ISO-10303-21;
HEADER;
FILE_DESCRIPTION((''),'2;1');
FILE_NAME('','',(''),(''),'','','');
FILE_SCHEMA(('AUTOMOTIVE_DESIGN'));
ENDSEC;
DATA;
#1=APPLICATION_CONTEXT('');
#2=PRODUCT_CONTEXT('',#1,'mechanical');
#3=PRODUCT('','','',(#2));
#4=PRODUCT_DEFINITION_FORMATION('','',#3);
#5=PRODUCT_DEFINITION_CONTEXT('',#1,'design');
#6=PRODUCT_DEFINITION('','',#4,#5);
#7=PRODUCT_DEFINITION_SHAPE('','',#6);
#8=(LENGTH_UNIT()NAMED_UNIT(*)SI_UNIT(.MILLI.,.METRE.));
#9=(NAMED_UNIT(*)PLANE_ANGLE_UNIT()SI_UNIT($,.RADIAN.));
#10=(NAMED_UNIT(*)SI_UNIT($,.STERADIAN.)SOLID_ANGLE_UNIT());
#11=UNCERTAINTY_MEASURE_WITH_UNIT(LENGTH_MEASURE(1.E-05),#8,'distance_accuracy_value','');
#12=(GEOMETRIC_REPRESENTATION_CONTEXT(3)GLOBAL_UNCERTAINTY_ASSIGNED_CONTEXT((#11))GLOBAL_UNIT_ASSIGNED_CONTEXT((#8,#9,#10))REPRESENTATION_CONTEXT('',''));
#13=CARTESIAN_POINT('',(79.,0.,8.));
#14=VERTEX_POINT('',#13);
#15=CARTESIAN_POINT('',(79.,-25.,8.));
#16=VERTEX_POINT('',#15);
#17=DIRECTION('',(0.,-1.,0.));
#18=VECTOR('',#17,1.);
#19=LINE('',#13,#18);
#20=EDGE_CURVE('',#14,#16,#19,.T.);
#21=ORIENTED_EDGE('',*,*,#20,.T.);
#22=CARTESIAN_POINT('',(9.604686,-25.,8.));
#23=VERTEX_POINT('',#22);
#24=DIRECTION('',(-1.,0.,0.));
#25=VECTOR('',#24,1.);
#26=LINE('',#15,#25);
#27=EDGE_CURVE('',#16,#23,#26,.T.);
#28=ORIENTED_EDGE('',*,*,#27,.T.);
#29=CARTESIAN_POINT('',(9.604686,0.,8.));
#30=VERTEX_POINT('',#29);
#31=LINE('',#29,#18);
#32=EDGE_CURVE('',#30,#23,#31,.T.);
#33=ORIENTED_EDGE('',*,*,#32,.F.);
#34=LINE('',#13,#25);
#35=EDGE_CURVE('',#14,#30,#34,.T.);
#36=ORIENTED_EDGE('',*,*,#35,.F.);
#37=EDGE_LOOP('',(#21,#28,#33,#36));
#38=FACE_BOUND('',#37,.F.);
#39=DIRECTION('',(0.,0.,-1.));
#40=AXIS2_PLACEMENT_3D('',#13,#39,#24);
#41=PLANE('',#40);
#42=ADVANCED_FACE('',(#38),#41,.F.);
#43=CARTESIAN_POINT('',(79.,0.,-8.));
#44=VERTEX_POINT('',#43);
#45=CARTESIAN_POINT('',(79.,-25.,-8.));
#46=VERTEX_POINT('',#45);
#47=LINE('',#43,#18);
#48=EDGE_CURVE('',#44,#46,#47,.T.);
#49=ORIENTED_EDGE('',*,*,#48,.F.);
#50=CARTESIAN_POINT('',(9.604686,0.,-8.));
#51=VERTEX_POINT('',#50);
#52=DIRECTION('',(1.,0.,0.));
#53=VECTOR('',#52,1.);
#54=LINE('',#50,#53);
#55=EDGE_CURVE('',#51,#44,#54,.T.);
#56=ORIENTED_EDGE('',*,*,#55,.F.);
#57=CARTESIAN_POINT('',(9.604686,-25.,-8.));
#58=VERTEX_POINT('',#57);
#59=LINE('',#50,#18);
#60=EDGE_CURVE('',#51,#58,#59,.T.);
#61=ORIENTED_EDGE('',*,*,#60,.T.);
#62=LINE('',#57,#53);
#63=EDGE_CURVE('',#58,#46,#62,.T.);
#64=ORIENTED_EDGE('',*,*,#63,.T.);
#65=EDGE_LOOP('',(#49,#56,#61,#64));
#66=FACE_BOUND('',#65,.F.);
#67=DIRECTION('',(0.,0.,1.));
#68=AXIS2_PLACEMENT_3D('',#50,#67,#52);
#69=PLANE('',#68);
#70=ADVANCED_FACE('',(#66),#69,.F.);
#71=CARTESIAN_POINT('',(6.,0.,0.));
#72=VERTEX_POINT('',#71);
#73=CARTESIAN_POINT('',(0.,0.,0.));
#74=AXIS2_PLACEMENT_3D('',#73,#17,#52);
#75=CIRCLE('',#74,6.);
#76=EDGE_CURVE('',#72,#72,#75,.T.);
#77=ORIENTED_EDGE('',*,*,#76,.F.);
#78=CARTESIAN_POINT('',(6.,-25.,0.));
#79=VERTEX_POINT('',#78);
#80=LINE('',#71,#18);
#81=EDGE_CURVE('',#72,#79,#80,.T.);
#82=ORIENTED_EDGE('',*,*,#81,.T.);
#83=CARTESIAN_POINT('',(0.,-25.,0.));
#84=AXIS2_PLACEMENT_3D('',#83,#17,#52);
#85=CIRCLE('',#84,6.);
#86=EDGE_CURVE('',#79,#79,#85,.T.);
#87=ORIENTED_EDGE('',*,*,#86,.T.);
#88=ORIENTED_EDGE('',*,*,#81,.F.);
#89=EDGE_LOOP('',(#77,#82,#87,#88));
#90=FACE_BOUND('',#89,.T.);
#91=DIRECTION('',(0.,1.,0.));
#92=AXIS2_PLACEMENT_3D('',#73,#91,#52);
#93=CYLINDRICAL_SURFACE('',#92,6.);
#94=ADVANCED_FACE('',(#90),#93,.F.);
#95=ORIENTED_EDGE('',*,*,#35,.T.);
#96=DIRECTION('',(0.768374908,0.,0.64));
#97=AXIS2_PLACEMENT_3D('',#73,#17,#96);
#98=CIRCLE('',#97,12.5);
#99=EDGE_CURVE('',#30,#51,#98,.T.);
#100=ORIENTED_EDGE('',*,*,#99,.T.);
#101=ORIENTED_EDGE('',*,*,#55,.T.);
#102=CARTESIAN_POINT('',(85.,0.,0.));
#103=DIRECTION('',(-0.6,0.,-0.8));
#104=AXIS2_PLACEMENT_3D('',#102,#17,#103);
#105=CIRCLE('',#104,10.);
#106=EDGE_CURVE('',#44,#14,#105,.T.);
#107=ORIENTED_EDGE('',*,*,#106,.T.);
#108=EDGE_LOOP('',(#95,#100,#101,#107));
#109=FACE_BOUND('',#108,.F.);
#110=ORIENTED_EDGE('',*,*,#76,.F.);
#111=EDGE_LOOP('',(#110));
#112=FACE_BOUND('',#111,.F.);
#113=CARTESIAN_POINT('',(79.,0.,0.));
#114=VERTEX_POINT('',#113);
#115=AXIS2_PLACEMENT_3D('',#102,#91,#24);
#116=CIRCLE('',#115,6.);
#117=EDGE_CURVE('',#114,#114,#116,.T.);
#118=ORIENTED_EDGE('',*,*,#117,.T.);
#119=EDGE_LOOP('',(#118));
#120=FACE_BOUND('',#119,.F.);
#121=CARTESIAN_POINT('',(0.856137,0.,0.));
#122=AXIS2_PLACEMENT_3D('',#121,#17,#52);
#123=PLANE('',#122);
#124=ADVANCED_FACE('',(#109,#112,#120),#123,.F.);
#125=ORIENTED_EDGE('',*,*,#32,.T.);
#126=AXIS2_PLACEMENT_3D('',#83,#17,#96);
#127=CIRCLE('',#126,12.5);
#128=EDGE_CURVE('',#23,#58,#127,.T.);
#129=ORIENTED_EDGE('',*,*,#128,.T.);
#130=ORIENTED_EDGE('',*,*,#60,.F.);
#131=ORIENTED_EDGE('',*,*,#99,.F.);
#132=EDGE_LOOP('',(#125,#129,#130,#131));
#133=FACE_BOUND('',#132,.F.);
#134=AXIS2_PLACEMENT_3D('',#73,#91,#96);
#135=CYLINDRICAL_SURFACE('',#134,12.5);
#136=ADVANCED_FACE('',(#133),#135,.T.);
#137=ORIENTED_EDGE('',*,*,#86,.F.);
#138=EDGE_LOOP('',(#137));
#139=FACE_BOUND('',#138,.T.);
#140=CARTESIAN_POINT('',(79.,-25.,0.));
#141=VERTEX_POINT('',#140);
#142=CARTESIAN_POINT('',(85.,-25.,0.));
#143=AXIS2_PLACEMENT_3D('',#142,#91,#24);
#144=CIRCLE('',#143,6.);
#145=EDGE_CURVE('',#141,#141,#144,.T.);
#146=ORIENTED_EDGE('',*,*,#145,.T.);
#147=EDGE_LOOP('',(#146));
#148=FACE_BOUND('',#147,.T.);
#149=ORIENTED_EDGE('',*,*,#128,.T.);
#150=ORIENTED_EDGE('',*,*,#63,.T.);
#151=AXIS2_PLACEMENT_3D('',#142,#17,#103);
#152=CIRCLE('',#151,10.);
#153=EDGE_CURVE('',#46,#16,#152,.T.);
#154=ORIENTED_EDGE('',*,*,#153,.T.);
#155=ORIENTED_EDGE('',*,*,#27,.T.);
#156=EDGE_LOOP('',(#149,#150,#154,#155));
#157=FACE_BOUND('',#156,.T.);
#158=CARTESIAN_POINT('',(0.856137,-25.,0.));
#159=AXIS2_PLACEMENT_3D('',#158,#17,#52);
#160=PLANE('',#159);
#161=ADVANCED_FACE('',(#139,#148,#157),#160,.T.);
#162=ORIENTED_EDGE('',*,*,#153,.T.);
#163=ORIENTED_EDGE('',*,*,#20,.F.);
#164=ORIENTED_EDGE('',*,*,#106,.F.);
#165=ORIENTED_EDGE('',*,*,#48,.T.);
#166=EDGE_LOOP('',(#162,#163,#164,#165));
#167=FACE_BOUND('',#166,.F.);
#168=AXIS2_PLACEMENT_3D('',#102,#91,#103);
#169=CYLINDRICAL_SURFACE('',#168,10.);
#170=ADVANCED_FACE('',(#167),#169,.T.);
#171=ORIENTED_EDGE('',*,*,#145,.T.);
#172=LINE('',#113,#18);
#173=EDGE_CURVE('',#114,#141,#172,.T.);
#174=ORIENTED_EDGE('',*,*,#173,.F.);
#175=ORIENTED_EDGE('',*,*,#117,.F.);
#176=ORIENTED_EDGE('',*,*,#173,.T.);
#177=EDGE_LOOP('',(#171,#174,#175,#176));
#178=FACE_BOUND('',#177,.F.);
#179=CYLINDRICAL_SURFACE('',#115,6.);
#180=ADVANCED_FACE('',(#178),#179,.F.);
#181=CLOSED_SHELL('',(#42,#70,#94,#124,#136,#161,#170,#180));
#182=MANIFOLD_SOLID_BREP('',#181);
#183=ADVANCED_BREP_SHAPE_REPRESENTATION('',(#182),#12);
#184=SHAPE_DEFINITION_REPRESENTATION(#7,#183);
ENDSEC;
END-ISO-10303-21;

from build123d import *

# Parameters (mm, degrees)
F0_R     = 6
F1_DEPTH = 25


with BuildPart() as f1:
    # F0 (on Front) → F1 (new body)
    with BuildSketch(Plane.XZ):
        with BuildLine():
            ThreePointArc((9.6046863561, -8), (11.7539052968, -4.2539052968), (12.5, 0))
            ThreePointArc((12.5, 0), (11.7539052968, 4.2539052968), (9.6046863561, 8))
            ThreePointArc((9.6046863561, 8), (-12.5, 0), (9.6046863561, -8))
        make_face()
        Circle(F0_R, mode=Mode.SUBTRACT)
        with BuildLine():
            Line((75, 0), (12.5, 0))
            ThreePointArc((12.5, 0), (11.7539052968, -4.2539052968), (9.6046863561, -8))
            Line((9.6046863561, -8), (79, -8))
            ThreePointArc((79, -8), (76.05572809, -4.472135955), (75, 0))
        make_face()
        with BuildLine():
            ThreePointArc((9.6046863561, 8), (11.7539052968, 4.2539052968), (12.5, 0))
            Line((12.5, 0), (75, 0))
            ThreePointArc((75, 0), (76.05572809, 4.472135955), (79, 8))
            Line((79, 8), (9.6046863561, 8))
        make_face()
        with BuildLine():
            ThreePointArc((79, 8), (76.05572809, 4.472135955), (75, 0))
            ThreePointArc((75, 0), (76.05572809, -4.472135955), (79, -8))
            ThreePointArc((79, -8), (89.472135955, -8.94427191), (95, 0))
            ThreePointArc((95, 0), (89.472135955, 8.94427191), (79, 8))
        make_face()
        with BuildLine():
            ThreePointArc((91, 0), (85, -6), (79, 0))
            ThreePointArc((79, 0), (85, 6), (91, 0))
        make_face(mode=Mode.SUBTRACT)
    extrude(amount=F1_DEPTH)


solid = f1.part
